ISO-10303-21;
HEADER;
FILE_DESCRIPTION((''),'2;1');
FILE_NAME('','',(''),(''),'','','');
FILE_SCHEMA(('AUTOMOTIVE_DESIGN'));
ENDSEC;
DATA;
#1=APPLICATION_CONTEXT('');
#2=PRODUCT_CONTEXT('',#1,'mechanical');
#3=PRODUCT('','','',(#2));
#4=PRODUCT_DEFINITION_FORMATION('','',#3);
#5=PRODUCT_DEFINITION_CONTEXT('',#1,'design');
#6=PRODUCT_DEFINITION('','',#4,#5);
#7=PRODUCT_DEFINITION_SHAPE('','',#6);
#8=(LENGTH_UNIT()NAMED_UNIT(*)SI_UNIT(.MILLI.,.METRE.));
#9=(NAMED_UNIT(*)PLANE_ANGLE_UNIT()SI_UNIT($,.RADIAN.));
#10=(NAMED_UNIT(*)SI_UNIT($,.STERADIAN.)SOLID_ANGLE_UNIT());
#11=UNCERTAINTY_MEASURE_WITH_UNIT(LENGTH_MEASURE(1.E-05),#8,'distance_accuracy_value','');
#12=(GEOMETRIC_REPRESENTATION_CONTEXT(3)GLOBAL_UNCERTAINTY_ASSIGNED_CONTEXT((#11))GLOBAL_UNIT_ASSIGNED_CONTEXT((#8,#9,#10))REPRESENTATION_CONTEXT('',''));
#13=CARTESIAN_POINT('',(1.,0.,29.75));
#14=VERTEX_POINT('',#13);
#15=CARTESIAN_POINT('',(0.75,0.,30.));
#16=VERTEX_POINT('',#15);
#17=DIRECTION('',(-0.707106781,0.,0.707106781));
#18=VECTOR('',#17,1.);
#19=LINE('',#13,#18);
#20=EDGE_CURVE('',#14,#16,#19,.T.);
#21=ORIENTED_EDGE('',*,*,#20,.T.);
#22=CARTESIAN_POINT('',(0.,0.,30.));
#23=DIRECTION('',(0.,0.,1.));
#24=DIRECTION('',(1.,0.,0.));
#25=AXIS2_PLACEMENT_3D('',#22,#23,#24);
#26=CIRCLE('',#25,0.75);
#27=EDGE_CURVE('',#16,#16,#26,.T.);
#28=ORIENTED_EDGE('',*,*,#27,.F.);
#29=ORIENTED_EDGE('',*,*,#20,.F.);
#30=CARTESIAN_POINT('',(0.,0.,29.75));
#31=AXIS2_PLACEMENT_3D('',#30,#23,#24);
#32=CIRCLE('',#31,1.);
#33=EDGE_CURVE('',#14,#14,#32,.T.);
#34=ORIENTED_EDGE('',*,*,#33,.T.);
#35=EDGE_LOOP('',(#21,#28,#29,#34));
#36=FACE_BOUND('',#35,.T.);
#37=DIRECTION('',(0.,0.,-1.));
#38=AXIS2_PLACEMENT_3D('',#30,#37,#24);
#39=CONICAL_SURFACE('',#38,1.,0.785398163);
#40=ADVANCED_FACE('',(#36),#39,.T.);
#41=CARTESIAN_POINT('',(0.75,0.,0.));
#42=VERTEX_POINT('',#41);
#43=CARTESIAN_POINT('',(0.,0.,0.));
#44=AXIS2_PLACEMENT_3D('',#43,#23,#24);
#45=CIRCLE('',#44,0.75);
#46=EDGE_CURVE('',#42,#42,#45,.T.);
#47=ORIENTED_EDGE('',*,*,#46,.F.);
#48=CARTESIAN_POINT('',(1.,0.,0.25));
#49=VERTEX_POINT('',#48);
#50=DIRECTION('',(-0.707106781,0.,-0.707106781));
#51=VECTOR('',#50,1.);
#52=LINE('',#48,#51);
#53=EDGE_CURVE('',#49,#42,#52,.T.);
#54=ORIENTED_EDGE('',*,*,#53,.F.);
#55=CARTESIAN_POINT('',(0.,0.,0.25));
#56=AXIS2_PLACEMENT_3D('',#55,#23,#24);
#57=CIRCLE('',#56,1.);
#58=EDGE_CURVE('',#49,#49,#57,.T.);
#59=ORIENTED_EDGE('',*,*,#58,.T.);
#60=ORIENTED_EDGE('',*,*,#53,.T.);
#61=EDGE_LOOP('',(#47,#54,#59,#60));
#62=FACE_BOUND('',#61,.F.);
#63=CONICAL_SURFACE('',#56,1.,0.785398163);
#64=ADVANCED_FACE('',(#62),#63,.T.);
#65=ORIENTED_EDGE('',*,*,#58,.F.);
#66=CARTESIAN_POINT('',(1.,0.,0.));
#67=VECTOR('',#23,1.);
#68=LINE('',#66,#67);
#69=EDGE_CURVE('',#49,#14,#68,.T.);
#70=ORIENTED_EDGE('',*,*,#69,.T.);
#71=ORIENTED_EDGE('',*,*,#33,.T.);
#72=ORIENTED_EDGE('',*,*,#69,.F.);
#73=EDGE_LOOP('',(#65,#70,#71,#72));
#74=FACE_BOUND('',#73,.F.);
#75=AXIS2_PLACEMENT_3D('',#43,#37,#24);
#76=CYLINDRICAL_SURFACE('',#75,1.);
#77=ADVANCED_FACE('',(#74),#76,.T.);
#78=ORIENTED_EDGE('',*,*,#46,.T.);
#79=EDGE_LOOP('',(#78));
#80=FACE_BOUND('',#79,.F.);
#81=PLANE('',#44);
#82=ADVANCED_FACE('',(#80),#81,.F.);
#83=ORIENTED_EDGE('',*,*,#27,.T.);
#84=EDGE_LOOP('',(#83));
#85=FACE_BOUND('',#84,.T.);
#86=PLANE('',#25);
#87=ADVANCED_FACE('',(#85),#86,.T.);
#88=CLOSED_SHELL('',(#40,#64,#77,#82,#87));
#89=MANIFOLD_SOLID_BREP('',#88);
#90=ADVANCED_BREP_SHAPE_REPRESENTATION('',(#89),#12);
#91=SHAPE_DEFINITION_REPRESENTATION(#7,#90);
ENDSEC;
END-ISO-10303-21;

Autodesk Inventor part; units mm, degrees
ref_plane "YZ Plane" through (0, 0, 0) normal (1, 0, 0) x (0, 1, 0)
ref_plane "XZ Plane" through (0, 0, 0) normal (0, 1, 0) x (-1, 0, 0)
ref_plane "XY Plane" through (0, 0, 0) normal (0, 0, 1) x (1, 0, 0)
sketch "Sketch1" plane through (0, 0, 0) normal (0, 0, 1) x (1, 0, 0)
  circle A0 centre (0, 0) radius 1
  dimension "d6" = 2
extrude "Extrusion2" add sketch "Sketch1" along normal blind 30
chamfer "Chamfer1" distance 0.25 angle 45 2 edges at (-1, 0, 0) (-1, 0, 30)
properties part number "MotorBeltTensionerGuide"
